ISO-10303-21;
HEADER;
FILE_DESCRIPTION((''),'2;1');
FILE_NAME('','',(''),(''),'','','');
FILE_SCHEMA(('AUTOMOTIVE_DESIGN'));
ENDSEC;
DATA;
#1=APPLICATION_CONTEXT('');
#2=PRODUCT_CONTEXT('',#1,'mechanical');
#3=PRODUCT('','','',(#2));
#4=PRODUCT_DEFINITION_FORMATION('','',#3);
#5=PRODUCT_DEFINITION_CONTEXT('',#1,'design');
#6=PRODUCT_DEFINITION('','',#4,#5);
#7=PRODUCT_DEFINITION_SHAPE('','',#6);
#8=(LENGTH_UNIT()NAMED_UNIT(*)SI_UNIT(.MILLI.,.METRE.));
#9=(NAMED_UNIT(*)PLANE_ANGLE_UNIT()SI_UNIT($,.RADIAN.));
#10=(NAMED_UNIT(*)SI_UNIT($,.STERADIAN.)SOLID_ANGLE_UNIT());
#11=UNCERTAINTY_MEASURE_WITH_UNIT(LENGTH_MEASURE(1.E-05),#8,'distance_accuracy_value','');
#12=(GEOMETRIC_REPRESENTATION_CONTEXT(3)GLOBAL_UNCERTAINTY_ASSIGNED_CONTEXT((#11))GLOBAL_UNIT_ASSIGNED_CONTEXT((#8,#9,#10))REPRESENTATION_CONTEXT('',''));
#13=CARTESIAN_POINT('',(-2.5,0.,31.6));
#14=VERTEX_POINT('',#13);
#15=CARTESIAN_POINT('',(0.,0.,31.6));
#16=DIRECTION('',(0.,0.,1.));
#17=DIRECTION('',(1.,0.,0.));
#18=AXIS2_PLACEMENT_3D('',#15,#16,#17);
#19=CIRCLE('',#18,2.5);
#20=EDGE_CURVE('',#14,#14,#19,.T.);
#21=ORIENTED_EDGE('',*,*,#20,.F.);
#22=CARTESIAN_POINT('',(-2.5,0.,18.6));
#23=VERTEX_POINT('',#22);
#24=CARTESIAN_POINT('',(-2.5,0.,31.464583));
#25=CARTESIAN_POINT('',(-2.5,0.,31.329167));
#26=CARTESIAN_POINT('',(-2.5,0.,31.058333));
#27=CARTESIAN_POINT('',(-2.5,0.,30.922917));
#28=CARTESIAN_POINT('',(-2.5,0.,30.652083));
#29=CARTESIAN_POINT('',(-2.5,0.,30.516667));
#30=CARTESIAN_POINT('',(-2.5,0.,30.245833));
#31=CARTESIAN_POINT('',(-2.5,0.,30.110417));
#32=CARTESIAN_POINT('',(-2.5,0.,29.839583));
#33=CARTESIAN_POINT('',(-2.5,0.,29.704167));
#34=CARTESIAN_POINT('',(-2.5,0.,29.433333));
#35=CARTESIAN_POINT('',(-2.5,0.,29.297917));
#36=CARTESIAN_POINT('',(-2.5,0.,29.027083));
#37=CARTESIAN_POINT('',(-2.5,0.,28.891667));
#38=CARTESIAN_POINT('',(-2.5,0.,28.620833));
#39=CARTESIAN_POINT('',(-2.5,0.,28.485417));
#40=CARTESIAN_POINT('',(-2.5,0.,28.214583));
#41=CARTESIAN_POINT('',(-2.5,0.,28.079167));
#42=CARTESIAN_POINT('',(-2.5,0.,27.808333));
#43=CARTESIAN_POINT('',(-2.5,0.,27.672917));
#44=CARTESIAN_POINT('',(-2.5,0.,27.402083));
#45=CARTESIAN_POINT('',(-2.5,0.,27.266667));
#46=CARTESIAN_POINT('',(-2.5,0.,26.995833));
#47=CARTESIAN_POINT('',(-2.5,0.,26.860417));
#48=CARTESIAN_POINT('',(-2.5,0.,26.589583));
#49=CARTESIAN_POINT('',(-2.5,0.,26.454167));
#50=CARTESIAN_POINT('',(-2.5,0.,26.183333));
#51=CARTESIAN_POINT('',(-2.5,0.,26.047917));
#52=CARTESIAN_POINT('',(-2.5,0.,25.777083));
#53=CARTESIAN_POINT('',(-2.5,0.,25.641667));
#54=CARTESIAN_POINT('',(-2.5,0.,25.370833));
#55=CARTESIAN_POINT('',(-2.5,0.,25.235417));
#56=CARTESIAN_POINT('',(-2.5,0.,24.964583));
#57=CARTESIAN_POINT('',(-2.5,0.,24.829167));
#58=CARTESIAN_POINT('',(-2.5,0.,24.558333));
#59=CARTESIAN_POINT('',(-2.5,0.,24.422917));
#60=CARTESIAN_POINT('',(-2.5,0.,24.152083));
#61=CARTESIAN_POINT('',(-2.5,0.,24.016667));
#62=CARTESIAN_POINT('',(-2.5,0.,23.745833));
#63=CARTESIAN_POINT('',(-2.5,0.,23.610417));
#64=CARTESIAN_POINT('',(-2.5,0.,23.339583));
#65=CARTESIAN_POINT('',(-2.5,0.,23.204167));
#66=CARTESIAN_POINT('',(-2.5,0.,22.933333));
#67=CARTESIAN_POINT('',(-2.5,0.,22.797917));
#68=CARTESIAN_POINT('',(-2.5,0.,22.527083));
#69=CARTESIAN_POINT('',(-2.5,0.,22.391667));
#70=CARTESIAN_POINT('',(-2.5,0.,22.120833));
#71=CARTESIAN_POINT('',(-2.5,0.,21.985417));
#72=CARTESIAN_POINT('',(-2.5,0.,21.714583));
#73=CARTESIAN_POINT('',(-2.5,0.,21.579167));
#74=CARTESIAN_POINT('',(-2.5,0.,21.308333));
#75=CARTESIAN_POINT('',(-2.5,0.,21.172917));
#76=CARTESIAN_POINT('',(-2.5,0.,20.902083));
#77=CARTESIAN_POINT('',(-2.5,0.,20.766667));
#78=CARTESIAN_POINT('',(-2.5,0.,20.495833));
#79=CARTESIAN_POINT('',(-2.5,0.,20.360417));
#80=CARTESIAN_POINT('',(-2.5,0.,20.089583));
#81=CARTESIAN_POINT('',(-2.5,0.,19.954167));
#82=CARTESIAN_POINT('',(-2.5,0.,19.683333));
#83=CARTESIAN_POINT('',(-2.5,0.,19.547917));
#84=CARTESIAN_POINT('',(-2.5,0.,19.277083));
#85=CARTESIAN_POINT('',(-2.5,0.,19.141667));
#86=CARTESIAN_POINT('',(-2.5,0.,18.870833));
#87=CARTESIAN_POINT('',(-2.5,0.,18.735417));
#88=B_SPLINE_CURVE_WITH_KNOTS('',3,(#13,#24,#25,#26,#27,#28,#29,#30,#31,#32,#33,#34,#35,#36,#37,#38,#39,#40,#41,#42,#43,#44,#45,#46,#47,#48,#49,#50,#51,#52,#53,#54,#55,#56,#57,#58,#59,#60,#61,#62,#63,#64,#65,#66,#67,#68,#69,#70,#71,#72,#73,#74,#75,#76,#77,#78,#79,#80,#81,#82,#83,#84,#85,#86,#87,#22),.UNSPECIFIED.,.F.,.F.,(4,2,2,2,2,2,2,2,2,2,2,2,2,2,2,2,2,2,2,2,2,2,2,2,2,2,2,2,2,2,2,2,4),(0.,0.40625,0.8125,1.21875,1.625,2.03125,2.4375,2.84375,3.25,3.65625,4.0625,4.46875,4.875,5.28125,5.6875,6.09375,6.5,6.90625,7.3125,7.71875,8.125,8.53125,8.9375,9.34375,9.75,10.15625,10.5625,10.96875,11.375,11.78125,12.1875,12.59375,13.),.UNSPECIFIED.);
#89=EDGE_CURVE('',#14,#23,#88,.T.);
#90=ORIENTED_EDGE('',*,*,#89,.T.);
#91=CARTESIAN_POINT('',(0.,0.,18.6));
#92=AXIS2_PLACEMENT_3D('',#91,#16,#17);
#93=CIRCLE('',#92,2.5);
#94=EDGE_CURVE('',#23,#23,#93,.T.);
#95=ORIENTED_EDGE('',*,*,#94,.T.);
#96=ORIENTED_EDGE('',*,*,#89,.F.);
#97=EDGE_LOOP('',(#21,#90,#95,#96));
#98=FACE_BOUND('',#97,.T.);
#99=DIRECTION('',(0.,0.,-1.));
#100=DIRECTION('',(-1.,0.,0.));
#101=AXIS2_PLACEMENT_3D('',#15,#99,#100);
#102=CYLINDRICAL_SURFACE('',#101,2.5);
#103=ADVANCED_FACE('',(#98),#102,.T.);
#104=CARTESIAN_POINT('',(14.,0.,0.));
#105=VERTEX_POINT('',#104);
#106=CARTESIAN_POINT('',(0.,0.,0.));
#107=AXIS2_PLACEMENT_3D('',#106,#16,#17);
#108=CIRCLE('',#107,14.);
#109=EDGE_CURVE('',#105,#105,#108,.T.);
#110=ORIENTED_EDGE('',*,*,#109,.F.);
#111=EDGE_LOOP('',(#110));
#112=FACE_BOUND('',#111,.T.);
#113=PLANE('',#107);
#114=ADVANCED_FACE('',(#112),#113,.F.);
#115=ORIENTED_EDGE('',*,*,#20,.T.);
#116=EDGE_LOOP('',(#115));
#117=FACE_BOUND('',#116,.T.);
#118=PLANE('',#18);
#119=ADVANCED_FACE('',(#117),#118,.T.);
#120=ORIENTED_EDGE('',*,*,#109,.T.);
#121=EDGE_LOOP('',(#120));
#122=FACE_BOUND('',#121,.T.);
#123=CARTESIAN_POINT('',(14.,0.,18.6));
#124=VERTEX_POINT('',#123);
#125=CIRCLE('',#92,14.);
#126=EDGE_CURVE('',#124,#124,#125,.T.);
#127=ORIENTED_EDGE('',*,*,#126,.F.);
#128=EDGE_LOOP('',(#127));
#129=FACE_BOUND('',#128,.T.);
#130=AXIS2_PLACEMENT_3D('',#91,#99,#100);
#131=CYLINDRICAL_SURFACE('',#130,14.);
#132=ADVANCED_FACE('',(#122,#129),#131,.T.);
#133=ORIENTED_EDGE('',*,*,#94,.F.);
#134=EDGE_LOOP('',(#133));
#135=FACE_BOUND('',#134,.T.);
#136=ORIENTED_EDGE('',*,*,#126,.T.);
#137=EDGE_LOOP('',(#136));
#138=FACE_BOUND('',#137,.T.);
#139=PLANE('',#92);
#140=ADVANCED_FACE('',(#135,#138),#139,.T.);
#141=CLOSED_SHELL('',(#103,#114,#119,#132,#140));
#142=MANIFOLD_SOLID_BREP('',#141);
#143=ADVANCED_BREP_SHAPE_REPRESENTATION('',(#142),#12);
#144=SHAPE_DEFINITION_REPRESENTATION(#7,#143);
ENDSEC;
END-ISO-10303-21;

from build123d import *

# Parameters (mm, degrees)
SKETCH1_R           = 14
BOSS_EXTRUDE1_DEPTH = 18.6
SKETCH2_R           = 2.5
BOSS_EXTRUDE2_DEPTH = 13


with BuildPart() as part:
    # Sketch1 → Boss-Extrude1 (new body)
    with BuildSketch(Plane.XY):
        Circle(SKETCH1_R)
    extrude(amount=BOSS_EXTRUDE1_DEPTH)

    # Sketch2 → Boss-Extrude2 (add)
    with BuildSketch(Plane.XY.offset(18.6)):
        with Locations(Location((0, 0, 0), (0, 0, 180))):
            Circle(SKETCH2_R)
    extrude(amount=BOSS_EXTRUDE2_DEPTH)


solid = part.part
